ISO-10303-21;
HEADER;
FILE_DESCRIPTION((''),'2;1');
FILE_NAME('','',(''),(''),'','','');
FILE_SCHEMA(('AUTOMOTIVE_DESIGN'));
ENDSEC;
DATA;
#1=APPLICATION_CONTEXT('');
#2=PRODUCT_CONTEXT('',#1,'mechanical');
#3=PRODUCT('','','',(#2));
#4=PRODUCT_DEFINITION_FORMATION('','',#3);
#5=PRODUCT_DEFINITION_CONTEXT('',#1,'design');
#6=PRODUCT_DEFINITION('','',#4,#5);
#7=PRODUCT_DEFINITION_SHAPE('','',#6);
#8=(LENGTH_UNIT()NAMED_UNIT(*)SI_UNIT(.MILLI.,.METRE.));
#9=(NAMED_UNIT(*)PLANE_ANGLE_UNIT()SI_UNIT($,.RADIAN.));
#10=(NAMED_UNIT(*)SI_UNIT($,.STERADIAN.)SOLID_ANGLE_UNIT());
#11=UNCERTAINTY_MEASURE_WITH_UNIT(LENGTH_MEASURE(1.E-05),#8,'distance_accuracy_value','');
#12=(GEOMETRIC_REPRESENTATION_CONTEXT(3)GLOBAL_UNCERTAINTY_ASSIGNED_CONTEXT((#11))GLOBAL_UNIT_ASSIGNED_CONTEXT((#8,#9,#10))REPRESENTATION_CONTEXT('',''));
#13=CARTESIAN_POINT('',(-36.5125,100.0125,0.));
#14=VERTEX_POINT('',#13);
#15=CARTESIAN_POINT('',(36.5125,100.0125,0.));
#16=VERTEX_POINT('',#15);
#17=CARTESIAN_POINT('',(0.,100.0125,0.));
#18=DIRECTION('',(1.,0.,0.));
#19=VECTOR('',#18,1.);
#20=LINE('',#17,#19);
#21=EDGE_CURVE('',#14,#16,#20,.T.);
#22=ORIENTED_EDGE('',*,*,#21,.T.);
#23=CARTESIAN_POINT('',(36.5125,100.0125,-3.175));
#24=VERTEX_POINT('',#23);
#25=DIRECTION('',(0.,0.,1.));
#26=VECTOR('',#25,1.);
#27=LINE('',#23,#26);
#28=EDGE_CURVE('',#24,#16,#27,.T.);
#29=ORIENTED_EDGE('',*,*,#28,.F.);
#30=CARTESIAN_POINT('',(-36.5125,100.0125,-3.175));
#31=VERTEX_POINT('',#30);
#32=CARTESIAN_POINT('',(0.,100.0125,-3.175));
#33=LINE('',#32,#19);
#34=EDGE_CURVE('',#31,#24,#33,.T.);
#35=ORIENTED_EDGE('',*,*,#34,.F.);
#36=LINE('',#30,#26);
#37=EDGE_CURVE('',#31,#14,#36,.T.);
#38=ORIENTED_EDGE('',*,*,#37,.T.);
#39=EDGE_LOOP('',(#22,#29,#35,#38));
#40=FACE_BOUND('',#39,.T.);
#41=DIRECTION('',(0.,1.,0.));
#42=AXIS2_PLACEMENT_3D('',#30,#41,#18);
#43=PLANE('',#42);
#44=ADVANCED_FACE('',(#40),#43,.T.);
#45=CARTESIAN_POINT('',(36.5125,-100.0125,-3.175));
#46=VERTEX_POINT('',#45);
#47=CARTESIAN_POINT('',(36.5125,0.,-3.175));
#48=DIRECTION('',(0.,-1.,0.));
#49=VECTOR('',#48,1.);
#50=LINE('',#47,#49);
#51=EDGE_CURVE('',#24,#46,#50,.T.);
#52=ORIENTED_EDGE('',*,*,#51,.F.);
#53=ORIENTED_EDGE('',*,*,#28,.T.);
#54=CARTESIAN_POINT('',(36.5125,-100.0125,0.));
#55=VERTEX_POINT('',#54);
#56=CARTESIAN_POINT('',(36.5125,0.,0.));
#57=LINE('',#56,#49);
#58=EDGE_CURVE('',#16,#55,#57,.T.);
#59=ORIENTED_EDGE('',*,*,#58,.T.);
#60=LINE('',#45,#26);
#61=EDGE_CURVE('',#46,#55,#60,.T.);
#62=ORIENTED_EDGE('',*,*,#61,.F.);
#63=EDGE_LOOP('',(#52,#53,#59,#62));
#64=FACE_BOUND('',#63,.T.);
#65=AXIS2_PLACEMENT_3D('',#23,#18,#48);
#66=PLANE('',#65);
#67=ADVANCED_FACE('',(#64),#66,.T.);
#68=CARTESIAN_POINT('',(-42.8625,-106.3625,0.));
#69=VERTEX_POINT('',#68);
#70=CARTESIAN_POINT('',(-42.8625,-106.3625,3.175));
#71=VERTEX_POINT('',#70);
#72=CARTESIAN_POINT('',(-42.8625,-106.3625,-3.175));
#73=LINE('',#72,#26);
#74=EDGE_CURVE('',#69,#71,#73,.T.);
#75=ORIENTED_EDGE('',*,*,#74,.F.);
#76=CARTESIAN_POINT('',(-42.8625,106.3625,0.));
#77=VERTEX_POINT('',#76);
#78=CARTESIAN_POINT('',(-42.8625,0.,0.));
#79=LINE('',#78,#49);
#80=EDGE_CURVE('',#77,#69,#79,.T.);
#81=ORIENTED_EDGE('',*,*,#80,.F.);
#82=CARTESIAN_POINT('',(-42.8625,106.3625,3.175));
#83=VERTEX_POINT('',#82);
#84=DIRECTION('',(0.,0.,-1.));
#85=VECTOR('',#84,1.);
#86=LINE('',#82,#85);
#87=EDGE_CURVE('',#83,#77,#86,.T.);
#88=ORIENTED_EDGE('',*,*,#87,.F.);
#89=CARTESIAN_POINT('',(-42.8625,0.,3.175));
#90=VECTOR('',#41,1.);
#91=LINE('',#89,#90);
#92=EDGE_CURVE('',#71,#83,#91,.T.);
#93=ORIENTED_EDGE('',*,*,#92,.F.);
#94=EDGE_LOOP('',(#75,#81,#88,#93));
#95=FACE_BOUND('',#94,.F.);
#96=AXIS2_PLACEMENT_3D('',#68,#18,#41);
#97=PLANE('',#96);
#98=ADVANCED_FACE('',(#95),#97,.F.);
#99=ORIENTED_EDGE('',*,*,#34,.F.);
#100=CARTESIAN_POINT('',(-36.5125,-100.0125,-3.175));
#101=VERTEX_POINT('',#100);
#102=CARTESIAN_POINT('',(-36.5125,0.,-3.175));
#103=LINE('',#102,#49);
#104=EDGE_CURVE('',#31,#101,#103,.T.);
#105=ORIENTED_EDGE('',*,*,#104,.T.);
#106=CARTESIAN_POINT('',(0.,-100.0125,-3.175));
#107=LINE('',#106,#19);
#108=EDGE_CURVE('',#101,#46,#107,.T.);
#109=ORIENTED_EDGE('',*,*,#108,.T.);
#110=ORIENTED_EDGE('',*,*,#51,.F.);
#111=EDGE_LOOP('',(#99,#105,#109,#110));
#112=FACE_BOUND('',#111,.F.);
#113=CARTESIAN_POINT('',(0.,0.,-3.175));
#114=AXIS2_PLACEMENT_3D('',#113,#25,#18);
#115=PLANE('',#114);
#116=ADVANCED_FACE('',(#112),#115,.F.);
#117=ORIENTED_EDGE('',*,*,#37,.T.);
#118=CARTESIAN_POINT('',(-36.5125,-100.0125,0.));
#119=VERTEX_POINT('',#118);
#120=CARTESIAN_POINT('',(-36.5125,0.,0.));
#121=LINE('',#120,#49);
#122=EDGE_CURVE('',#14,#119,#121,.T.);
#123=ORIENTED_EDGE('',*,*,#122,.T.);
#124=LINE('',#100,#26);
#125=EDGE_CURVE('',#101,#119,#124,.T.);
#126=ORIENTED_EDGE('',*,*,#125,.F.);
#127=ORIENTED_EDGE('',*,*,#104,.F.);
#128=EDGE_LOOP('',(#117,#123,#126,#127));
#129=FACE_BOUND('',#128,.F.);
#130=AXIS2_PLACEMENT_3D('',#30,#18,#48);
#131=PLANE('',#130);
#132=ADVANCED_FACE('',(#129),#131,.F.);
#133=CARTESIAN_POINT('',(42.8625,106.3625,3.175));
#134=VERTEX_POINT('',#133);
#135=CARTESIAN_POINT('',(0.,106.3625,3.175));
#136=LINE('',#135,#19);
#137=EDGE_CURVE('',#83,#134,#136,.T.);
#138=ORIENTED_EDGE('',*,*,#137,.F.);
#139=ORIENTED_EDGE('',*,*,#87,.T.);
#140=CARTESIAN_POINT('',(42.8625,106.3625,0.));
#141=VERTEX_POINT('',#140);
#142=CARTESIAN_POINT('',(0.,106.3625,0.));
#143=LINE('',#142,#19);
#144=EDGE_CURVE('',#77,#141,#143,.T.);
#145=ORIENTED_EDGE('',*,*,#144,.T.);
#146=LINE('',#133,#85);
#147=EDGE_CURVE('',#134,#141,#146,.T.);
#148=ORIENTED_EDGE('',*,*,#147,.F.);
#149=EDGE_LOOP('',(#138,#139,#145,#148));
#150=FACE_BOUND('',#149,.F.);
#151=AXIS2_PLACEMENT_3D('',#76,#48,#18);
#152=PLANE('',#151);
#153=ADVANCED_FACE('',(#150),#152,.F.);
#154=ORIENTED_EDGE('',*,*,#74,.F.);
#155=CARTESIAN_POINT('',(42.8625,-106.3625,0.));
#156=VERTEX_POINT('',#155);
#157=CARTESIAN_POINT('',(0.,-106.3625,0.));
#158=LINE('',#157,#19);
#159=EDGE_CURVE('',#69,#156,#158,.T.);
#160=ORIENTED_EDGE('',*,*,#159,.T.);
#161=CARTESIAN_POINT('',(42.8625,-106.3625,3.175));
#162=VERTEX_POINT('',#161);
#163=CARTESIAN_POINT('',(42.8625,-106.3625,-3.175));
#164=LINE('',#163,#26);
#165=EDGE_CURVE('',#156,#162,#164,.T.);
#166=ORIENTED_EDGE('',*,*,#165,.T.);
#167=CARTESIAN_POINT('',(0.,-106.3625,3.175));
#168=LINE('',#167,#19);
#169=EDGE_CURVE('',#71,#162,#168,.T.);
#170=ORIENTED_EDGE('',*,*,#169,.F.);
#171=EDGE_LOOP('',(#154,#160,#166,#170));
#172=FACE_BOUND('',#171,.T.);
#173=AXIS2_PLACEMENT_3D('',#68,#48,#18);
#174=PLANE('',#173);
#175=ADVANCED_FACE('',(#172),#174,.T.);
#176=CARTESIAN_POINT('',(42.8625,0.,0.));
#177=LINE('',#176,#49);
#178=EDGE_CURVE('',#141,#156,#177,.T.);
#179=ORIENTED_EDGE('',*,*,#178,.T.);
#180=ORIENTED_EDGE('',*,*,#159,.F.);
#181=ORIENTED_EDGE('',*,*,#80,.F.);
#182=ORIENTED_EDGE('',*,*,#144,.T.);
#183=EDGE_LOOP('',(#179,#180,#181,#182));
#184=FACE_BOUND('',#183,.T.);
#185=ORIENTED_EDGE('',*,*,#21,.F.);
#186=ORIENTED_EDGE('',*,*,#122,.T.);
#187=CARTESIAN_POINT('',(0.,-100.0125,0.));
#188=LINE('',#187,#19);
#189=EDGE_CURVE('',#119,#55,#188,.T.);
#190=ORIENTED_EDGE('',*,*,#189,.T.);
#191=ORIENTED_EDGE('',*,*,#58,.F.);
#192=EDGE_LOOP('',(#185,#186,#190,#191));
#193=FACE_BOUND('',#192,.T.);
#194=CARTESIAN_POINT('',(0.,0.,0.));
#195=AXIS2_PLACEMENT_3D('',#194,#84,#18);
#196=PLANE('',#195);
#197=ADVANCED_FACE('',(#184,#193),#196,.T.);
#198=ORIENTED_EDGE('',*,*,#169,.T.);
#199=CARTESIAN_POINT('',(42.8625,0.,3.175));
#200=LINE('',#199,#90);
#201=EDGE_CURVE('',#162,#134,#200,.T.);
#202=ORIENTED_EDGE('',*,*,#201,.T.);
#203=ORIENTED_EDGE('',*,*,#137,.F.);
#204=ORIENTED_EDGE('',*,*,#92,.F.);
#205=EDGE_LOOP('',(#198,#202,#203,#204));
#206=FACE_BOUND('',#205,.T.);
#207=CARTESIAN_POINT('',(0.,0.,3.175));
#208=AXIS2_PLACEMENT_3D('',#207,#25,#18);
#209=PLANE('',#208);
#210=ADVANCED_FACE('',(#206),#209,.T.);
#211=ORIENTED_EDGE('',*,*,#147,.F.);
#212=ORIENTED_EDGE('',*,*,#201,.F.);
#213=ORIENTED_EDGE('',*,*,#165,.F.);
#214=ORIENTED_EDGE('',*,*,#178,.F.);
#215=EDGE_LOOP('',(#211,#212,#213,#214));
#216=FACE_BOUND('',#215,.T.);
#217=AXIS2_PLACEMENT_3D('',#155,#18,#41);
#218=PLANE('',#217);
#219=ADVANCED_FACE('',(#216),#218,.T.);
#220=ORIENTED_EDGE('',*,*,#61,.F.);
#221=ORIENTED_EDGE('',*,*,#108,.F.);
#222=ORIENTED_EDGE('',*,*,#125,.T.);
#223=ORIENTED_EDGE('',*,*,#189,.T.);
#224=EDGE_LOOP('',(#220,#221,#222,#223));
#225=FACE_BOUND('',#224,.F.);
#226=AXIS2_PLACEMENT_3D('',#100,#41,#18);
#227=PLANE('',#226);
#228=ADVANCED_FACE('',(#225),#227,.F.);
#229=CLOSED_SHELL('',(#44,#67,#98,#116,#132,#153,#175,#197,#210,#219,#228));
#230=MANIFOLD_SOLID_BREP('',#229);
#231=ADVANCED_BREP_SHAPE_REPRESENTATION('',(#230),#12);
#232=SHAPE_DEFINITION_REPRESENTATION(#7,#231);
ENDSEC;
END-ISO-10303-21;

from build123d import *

# Parameters (mm, degrees)
F0_W     = 85.725
F0_H     = 212.725
F1_DEPTH = 3.175
F2_W     = 85.725
F2_H     = 212.725
F2_W_2   = 73.025
F2_H_2   = 200.025
F3_DEPTH = 3.175


with BuildPart() as f1:
    # F0 (on Top) → F1 (new body, symmetric)
    with BuildSketch(Plane.XY):
        Rectangle(F0_W, F0_H)
    extrude(amount=F1_DEPTH, both=True)

    # F2 (on face) → F3 (cut)
    with BuildSketch(Plane(origin=(0, 0, -3.175), x_dir=(1, 0, 0), z_dir=(0, 0, -1))):
        Rectangle(F2_W, F2_H)
        Rectangle(F2_W_2, F2_H_2, mode=Mode.SUBTRACT)
    extrude(amount=-F3_DEPTH, mode=Mode.SUBTRACT)


solid = f1.part
